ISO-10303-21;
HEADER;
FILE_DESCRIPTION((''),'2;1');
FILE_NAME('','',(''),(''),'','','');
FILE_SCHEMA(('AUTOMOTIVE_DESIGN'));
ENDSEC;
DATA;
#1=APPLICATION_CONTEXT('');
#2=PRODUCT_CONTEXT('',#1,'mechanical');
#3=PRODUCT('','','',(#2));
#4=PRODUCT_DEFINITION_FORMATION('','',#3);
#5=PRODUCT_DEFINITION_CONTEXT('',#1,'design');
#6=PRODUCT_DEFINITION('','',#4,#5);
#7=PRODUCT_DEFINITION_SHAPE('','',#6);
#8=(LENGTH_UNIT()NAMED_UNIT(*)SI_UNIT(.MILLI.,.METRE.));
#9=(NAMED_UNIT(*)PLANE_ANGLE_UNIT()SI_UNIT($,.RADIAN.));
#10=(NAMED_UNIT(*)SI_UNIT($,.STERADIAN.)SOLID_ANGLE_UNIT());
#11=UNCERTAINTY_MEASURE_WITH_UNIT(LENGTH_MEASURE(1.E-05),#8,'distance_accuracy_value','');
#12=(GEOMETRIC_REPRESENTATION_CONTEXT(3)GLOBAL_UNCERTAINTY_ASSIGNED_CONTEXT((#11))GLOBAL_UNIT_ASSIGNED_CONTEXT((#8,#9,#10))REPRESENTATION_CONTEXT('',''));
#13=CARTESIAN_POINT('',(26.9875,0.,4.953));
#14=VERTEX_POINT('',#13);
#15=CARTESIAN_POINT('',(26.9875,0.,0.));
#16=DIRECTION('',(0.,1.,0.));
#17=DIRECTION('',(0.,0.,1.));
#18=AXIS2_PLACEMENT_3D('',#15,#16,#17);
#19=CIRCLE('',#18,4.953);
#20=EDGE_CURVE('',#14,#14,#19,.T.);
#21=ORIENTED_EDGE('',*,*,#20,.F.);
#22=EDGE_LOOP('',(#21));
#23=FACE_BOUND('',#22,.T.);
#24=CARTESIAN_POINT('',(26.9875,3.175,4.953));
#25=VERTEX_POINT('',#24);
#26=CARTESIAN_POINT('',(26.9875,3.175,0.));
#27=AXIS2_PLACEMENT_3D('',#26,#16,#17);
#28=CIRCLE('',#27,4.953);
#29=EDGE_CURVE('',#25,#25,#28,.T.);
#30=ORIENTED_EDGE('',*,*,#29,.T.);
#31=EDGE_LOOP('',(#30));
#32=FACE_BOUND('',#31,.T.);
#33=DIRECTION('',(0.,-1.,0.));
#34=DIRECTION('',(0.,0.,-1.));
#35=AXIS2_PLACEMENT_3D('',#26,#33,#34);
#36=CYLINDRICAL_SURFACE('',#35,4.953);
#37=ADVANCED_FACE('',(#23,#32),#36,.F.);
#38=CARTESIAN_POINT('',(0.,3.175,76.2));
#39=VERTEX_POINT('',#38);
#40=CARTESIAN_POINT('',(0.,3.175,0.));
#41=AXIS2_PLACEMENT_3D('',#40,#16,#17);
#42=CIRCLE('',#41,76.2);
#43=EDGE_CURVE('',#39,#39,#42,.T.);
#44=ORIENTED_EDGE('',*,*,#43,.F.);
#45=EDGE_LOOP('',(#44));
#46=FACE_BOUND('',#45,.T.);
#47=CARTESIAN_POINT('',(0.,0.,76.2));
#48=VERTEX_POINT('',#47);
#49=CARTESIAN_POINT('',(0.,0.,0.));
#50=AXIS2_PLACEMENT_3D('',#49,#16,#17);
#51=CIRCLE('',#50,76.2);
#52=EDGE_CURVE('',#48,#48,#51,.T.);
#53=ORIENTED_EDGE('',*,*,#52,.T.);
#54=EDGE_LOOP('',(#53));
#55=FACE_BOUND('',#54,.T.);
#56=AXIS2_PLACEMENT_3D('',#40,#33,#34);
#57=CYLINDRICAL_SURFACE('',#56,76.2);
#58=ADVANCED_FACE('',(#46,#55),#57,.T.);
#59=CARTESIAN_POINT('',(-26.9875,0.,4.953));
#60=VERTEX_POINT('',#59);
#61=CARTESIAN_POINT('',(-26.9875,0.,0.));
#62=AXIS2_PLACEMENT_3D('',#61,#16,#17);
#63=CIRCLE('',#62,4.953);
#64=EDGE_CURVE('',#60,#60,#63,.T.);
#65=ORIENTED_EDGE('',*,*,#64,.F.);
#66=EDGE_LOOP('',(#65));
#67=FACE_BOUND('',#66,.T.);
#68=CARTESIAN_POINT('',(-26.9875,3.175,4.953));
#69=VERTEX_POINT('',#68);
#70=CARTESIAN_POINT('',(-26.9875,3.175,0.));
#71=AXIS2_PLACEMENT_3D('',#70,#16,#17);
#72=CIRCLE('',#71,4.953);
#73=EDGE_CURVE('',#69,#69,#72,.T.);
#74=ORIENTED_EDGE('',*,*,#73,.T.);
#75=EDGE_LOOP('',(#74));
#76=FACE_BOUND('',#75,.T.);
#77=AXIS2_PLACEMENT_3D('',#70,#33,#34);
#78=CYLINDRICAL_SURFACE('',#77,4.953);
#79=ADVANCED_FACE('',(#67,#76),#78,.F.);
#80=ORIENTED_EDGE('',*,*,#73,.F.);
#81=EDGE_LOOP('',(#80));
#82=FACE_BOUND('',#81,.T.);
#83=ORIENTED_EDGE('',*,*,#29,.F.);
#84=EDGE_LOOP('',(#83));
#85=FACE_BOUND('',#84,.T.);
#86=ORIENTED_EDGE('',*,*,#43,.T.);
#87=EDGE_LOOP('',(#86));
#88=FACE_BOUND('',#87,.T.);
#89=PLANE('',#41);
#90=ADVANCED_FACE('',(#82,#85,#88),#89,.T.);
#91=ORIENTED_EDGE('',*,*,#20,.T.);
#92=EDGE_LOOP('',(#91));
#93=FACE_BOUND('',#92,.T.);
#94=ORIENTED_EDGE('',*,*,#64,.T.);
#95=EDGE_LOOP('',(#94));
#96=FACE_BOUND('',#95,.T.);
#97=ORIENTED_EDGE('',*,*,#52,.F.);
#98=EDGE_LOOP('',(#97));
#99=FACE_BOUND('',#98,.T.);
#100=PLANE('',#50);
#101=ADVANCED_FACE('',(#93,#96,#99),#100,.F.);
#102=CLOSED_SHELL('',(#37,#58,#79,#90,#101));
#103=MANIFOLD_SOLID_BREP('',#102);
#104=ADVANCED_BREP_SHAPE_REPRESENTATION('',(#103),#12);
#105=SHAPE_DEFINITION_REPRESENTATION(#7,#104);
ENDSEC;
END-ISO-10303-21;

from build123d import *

# Parameters (mm, degrees)
SKETCH1_R           = 76.2
SKETCH1_R_2         = 4.953
BOSS_EXTRUDE1_DEPTH = 3.175


with BuildPart() as part:
    # Sketch1 → Boss-Extrude1 (new body)
    with BuildSketch(Plane(origin=(0, 0, 0), x_dir=(1, 0, 0), z_dir=(0, 1, 0))):
        Circle(SKETCH1_R)
        with Locations((26.9875, 0)):
            Circle(SKETCH1_R_2, mode=Mode.SUBTRACT)
        with Locations((-26.9875, 0)):
            Circle(SKETCH1_R_2, mode=Mode.SUBTRACT)
    extrude(amount=BOSS_EXTRUDE1_DEPTH)


solid = part.part
